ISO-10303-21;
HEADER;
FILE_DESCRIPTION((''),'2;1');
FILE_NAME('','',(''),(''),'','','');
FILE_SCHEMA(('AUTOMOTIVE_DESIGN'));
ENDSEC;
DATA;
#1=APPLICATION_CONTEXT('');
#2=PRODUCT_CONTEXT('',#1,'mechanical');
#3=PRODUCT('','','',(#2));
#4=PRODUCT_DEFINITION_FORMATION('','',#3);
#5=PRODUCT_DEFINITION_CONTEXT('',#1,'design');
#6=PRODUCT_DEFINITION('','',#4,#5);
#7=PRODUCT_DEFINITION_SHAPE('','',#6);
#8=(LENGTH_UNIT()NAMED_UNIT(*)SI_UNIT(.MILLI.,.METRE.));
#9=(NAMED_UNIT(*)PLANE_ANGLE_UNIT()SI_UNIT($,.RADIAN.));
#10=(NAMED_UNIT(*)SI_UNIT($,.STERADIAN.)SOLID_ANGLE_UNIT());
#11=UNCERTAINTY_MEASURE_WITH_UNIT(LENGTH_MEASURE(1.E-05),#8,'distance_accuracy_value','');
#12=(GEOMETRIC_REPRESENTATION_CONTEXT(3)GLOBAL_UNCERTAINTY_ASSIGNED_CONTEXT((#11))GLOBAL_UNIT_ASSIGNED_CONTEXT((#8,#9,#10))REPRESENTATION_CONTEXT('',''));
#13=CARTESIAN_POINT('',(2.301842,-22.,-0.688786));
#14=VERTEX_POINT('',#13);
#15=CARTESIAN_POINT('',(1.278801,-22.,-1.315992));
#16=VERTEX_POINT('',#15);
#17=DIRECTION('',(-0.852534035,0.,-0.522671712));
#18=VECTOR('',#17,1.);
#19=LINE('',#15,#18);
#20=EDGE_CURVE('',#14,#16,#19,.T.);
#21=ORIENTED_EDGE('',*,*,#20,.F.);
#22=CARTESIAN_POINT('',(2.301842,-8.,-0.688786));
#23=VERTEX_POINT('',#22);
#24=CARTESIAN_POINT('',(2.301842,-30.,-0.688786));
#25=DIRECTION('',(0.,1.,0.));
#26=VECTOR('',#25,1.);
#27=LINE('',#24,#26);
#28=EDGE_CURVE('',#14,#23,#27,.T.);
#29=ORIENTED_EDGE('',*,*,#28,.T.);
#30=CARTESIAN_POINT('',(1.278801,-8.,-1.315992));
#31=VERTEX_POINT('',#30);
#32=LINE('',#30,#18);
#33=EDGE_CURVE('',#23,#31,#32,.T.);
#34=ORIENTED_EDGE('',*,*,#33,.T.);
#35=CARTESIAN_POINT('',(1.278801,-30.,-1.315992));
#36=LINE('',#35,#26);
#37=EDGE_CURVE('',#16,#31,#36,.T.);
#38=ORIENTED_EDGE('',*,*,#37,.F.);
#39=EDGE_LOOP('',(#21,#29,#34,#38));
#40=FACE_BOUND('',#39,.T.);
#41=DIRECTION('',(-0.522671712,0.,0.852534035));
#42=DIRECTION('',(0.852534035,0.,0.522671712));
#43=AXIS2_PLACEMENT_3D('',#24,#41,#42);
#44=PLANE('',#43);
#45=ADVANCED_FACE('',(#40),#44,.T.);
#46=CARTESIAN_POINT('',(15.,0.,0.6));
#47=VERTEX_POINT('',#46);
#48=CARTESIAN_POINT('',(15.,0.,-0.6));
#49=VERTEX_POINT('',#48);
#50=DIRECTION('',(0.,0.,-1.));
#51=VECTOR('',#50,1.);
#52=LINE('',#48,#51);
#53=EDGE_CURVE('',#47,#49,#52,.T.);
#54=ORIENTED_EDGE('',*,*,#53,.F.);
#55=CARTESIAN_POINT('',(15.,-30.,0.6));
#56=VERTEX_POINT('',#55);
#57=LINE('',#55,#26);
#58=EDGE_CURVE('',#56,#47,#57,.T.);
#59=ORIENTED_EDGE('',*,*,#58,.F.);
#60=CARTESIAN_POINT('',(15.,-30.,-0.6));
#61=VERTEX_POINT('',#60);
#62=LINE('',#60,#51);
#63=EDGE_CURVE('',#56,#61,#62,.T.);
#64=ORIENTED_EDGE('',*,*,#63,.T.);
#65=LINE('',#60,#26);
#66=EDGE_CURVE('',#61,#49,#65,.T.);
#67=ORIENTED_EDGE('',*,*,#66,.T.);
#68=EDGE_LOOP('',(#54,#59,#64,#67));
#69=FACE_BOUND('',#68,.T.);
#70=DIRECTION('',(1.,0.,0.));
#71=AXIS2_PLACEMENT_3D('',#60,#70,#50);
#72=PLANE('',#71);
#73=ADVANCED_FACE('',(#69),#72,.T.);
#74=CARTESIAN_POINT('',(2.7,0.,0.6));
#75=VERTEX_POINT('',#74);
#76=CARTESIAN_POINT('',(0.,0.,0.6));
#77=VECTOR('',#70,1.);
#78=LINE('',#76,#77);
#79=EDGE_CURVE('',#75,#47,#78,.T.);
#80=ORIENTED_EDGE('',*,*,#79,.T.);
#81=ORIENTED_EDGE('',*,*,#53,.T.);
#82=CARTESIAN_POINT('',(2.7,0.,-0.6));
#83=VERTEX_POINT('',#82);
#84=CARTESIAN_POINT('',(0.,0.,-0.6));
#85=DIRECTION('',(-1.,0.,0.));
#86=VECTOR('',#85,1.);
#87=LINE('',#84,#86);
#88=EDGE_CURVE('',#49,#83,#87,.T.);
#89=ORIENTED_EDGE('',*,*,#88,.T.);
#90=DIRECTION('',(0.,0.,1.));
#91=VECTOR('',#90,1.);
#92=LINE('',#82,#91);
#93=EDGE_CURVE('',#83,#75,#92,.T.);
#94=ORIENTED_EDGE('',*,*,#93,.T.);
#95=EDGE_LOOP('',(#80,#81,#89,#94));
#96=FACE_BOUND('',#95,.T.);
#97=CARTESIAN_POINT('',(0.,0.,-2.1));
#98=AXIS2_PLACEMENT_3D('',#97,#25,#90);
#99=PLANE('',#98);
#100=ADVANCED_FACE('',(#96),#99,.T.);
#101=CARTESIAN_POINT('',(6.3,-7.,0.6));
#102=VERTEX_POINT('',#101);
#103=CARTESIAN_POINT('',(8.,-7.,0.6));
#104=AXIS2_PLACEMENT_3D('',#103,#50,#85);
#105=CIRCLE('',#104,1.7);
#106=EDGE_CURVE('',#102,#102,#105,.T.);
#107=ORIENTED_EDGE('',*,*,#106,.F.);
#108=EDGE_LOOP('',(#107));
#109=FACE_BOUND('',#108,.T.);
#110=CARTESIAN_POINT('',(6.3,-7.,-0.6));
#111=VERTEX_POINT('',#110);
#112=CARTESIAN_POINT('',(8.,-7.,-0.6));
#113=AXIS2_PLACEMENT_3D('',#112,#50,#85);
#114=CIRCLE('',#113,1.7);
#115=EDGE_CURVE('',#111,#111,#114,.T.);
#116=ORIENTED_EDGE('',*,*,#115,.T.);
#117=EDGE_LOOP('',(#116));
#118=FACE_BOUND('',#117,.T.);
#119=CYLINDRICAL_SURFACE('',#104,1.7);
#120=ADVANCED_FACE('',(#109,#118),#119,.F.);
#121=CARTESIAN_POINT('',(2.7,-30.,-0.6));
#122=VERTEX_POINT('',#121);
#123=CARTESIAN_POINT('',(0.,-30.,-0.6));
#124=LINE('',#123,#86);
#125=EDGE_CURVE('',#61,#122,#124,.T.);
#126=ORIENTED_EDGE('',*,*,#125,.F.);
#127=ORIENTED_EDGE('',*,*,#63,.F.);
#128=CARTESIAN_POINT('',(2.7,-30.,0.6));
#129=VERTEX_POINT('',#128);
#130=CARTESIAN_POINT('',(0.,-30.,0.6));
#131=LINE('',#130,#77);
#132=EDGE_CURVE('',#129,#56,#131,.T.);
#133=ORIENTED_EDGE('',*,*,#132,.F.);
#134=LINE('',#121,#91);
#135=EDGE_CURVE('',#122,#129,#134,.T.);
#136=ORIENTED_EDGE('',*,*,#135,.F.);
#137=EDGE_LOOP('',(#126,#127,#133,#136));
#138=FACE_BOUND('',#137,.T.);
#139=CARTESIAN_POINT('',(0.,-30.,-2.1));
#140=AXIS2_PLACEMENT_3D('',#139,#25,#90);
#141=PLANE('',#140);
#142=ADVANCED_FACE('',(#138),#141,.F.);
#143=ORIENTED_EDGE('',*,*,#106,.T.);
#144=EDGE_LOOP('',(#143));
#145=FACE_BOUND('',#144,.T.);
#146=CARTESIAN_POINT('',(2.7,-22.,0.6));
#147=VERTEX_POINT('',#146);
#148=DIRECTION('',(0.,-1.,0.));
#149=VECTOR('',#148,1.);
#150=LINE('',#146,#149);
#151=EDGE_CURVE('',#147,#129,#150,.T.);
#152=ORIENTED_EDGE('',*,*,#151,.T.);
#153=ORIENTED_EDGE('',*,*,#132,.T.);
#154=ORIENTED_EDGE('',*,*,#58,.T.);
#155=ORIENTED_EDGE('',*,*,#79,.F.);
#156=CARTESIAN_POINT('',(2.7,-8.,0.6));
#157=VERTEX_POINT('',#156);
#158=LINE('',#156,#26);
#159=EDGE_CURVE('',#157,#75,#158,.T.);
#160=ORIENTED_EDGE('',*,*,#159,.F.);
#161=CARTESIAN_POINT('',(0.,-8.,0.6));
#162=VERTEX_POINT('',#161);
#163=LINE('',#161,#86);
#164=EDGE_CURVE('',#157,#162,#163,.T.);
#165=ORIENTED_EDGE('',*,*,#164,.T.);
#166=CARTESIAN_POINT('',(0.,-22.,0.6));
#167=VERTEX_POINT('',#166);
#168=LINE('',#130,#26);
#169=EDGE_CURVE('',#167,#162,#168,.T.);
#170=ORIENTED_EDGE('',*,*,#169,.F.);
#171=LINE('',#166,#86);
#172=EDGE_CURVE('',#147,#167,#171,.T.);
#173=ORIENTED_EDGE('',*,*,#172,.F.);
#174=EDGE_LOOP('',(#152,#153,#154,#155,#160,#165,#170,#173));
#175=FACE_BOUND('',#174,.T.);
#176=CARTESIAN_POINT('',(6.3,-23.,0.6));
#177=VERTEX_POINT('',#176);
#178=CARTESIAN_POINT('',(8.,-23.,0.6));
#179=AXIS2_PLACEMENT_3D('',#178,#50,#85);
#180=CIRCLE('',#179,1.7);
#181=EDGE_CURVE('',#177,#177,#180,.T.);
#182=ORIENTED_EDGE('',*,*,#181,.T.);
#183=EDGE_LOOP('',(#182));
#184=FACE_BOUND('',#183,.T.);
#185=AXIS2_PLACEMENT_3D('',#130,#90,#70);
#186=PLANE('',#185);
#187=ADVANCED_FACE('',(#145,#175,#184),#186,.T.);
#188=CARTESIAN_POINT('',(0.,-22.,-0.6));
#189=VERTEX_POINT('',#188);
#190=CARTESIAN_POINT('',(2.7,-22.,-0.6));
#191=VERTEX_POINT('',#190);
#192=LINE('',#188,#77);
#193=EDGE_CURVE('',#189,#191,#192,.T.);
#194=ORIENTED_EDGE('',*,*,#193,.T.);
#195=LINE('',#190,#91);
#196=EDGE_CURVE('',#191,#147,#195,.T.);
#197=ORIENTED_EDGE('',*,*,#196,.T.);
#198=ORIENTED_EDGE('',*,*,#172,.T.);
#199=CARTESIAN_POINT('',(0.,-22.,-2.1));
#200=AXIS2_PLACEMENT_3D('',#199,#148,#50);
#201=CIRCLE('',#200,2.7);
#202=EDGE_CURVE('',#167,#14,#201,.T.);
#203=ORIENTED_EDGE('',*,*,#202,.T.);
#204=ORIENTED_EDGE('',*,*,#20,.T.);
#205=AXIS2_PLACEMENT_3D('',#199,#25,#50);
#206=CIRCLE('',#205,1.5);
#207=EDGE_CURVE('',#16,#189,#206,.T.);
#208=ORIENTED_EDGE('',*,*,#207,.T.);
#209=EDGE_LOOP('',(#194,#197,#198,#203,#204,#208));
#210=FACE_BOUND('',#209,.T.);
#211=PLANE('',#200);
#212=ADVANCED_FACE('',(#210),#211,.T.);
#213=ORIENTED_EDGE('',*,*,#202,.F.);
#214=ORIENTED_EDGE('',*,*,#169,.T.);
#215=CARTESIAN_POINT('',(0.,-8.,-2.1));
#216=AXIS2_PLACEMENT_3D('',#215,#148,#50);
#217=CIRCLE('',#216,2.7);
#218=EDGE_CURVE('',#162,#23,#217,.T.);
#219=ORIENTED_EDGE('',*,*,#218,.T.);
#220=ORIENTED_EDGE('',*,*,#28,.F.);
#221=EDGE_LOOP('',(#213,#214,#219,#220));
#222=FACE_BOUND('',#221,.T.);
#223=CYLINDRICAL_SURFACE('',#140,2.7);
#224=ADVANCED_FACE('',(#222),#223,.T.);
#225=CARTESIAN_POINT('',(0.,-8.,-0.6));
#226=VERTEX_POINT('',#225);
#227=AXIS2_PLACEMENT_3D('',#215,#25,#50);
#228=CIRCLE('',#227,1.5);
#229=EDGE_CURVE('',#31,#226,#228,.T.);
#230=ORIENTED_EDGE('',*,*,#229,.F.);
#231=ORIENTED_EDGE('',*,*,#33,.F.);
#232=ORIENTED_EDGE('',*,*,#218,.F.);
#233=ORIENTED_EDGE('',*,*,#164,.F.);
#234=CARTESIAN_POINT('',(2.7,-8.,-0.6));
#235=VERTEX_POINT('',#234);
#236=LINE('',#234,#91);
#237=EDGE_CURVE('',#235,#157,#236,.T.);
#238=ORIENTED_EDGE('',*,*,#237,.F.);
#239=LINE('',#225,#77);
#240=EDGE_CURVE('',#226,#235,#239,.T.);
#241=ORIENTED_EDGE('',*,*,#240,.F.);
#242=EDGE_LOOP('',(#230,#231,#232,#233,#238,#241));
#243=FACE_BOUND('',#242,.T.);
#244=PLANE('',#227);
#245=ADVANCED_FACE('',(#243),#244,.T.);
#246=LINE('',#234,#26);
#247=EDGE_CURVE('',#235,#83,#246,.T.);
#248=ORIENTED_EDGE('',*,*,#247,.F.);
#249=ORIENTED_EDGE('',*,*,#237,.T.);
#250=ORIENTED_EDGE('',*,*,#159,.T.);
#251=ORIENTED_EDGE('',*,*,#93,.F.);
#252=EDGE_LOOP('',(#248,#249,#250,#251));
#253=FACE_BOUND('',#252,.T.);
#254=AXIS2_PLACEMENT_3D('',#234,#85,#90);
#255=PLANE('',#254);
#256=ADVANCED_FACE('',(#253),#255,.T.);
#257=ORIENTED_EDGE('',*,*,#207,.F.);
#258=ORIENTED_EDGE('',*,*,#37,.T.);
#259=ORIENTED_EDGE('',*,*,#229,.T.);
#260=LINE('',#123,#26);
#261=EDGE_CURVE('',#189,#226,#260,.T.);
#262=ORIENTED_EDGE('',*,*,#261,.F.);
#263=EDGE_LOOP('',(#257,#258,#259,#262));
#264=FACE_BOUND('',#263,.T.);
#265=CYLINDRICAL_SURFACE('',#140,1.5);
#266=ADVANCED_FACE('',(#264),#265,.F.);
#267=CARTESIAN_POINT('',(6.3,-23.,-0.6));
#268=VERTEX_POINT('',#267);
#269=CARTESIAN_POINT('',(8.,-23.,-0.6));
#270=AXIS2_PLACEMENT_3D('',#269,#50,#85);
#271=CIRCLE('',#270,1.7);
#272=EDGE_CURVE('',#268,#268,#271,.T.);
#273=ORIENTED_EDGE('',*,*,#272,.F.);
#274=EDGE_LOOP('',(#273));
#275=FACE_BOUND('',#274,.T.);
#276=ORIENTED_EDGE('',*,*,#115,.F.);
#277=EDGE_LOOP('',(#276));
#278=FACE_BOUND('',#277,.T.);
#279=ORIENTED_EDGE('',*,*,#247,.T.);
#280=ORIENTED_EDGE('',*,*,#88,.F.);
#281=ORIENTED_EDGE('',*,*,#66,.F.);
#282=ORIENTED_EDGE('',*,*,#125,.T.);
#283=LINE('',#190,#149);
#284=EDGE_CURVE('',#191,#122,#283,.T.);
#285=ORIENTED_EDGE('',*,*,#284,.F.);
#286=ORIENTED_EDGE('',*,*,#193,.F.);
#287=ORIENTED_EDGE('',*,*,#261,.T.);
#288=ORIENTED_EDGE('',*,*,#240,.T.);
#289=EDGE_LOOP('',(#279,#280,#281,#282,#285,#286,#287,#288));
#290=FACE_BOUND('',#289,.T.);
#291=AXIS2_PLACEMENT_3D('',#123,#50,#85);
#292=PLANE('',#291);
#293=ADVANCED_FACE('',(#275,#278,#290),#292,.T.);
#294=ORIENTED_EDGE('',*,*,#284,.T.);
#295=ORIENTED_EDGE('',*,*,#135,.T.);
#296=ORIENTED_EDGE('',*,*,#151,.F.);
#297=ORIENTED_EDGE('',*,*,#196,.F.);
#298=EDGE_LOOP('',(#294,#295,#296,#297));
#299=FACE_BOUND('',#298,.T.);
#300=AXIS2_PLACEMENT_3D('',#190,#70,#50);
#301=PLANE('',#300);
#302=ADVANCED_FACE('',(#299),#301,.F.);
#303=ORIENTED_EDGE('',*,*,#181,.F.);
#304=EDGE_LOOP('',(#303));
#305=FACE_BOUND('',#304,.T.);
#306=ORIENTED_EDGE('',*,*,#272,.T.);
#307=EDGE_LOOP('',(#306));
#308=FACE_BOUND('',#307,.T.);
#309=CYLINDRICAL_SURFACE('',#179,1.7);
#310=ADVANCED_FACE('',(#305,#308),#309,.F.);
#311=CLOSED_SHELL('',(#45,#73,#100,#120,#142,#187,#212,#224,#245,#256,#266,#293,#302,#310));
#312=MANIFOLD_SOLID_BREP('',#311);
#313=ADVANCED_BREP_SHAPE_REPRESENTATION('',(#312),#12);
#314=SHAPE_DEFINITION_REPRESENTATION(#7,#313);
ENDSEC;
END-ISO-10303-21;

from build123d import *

# Parameters (mm, degrees)
Y_KSEKLIK_EKSTR_ZYON1_DEPTH = 30
KES_EKSTR_ZYON2_START       = -8
KES_EKSTR_ZYON2_DEPTH       = 8
IZIM4_R                     = 1.7
KES_EKSTR_ZYON3_DEPTH       = 1.2


with BuildPart() as part:
    # Çizim1 → Yükseklik-Ekstrüzyon1 (new body)
    with BuildSketch(Plane(origin=(0, 0, 0), x_dir=(1, 0, 0), z_dir=(0, 1, 0))):
        with BuildLine():
            Line((0, 0.6), (15, 0.6))
            Line((15, 0.6), (15, -0.6))
            Line((15, -0.6), (0, -0.6))
            ThreePointArc((0, -0.6), (-1.319038138, 4.455873169), (2.301841896, 0.688786378))
            Line((2.301841896, 0.688786378), (1.278801053, 1.315992432))
            ThreePointArc((1.278801053, 1.315992432), (-0.732798966, 3.408818427), (0, 0.6))
        make_face()
    extrude(amount=-Y_KSEKLIK_EKSTR_ZYON1_DEPTH)

    # Çizim3 → Kes-Ekstrüzyon2 (cut)
    with BuildSketch(Plane.XZ.offset(30).offset(KES_EKSTR_ZYON2_START)):
        with BuildLine():
            Line((1.278801053, -1.315992432), (2.301841896, -0.688786378))
            ThreePointArc((2.301841896, -0.688786378), (-1.319038138, -4.455873169), (0, 0.6))
            Line((0, 0.6), (2.7, 0.6))
            Line((2.7, 0.6), (2.7, -0.6))
            Line((2.7, -0.6), (0, -0.6))
            ThreePointArc((0, -0.6), (-0.732798966, -3.408818427), (1.278801053, -1.315992432))
        make_face()
    kes_ekstr_zyon2 = extrude(amount=KES_EKSTR_ZYON2_DEPTH, mode=Mode.SUBTRACT)

    # Çizim4 → Kes-Ekstrüzyon3 (cut)
    with BuildSketch(Plane(origin=(0, 0, -0.6), x_dir=(-1, 0, 0), z_dir=(0, 0, -1))):
        with Locations((-8, -23)):
            Circle(IZIM4_R)
        with Locations((-8, -7)):
            Circle(IZIM4_R)
    extrude(amount=-KES_EKSTR_ZYON3_DEPTH, mode=Mode.SUBTRACT)

    # Aynalama1: Kes-Ekstrüzyon2 across plane
    add(kes_ekstr_zyon2.mirror(Plane(origin=(0, -15, 0), x_dir=(0, 0, 1), z_dir=(0, -1, 0))), mode=Mode.SUBTRACT)


solid = part.part
